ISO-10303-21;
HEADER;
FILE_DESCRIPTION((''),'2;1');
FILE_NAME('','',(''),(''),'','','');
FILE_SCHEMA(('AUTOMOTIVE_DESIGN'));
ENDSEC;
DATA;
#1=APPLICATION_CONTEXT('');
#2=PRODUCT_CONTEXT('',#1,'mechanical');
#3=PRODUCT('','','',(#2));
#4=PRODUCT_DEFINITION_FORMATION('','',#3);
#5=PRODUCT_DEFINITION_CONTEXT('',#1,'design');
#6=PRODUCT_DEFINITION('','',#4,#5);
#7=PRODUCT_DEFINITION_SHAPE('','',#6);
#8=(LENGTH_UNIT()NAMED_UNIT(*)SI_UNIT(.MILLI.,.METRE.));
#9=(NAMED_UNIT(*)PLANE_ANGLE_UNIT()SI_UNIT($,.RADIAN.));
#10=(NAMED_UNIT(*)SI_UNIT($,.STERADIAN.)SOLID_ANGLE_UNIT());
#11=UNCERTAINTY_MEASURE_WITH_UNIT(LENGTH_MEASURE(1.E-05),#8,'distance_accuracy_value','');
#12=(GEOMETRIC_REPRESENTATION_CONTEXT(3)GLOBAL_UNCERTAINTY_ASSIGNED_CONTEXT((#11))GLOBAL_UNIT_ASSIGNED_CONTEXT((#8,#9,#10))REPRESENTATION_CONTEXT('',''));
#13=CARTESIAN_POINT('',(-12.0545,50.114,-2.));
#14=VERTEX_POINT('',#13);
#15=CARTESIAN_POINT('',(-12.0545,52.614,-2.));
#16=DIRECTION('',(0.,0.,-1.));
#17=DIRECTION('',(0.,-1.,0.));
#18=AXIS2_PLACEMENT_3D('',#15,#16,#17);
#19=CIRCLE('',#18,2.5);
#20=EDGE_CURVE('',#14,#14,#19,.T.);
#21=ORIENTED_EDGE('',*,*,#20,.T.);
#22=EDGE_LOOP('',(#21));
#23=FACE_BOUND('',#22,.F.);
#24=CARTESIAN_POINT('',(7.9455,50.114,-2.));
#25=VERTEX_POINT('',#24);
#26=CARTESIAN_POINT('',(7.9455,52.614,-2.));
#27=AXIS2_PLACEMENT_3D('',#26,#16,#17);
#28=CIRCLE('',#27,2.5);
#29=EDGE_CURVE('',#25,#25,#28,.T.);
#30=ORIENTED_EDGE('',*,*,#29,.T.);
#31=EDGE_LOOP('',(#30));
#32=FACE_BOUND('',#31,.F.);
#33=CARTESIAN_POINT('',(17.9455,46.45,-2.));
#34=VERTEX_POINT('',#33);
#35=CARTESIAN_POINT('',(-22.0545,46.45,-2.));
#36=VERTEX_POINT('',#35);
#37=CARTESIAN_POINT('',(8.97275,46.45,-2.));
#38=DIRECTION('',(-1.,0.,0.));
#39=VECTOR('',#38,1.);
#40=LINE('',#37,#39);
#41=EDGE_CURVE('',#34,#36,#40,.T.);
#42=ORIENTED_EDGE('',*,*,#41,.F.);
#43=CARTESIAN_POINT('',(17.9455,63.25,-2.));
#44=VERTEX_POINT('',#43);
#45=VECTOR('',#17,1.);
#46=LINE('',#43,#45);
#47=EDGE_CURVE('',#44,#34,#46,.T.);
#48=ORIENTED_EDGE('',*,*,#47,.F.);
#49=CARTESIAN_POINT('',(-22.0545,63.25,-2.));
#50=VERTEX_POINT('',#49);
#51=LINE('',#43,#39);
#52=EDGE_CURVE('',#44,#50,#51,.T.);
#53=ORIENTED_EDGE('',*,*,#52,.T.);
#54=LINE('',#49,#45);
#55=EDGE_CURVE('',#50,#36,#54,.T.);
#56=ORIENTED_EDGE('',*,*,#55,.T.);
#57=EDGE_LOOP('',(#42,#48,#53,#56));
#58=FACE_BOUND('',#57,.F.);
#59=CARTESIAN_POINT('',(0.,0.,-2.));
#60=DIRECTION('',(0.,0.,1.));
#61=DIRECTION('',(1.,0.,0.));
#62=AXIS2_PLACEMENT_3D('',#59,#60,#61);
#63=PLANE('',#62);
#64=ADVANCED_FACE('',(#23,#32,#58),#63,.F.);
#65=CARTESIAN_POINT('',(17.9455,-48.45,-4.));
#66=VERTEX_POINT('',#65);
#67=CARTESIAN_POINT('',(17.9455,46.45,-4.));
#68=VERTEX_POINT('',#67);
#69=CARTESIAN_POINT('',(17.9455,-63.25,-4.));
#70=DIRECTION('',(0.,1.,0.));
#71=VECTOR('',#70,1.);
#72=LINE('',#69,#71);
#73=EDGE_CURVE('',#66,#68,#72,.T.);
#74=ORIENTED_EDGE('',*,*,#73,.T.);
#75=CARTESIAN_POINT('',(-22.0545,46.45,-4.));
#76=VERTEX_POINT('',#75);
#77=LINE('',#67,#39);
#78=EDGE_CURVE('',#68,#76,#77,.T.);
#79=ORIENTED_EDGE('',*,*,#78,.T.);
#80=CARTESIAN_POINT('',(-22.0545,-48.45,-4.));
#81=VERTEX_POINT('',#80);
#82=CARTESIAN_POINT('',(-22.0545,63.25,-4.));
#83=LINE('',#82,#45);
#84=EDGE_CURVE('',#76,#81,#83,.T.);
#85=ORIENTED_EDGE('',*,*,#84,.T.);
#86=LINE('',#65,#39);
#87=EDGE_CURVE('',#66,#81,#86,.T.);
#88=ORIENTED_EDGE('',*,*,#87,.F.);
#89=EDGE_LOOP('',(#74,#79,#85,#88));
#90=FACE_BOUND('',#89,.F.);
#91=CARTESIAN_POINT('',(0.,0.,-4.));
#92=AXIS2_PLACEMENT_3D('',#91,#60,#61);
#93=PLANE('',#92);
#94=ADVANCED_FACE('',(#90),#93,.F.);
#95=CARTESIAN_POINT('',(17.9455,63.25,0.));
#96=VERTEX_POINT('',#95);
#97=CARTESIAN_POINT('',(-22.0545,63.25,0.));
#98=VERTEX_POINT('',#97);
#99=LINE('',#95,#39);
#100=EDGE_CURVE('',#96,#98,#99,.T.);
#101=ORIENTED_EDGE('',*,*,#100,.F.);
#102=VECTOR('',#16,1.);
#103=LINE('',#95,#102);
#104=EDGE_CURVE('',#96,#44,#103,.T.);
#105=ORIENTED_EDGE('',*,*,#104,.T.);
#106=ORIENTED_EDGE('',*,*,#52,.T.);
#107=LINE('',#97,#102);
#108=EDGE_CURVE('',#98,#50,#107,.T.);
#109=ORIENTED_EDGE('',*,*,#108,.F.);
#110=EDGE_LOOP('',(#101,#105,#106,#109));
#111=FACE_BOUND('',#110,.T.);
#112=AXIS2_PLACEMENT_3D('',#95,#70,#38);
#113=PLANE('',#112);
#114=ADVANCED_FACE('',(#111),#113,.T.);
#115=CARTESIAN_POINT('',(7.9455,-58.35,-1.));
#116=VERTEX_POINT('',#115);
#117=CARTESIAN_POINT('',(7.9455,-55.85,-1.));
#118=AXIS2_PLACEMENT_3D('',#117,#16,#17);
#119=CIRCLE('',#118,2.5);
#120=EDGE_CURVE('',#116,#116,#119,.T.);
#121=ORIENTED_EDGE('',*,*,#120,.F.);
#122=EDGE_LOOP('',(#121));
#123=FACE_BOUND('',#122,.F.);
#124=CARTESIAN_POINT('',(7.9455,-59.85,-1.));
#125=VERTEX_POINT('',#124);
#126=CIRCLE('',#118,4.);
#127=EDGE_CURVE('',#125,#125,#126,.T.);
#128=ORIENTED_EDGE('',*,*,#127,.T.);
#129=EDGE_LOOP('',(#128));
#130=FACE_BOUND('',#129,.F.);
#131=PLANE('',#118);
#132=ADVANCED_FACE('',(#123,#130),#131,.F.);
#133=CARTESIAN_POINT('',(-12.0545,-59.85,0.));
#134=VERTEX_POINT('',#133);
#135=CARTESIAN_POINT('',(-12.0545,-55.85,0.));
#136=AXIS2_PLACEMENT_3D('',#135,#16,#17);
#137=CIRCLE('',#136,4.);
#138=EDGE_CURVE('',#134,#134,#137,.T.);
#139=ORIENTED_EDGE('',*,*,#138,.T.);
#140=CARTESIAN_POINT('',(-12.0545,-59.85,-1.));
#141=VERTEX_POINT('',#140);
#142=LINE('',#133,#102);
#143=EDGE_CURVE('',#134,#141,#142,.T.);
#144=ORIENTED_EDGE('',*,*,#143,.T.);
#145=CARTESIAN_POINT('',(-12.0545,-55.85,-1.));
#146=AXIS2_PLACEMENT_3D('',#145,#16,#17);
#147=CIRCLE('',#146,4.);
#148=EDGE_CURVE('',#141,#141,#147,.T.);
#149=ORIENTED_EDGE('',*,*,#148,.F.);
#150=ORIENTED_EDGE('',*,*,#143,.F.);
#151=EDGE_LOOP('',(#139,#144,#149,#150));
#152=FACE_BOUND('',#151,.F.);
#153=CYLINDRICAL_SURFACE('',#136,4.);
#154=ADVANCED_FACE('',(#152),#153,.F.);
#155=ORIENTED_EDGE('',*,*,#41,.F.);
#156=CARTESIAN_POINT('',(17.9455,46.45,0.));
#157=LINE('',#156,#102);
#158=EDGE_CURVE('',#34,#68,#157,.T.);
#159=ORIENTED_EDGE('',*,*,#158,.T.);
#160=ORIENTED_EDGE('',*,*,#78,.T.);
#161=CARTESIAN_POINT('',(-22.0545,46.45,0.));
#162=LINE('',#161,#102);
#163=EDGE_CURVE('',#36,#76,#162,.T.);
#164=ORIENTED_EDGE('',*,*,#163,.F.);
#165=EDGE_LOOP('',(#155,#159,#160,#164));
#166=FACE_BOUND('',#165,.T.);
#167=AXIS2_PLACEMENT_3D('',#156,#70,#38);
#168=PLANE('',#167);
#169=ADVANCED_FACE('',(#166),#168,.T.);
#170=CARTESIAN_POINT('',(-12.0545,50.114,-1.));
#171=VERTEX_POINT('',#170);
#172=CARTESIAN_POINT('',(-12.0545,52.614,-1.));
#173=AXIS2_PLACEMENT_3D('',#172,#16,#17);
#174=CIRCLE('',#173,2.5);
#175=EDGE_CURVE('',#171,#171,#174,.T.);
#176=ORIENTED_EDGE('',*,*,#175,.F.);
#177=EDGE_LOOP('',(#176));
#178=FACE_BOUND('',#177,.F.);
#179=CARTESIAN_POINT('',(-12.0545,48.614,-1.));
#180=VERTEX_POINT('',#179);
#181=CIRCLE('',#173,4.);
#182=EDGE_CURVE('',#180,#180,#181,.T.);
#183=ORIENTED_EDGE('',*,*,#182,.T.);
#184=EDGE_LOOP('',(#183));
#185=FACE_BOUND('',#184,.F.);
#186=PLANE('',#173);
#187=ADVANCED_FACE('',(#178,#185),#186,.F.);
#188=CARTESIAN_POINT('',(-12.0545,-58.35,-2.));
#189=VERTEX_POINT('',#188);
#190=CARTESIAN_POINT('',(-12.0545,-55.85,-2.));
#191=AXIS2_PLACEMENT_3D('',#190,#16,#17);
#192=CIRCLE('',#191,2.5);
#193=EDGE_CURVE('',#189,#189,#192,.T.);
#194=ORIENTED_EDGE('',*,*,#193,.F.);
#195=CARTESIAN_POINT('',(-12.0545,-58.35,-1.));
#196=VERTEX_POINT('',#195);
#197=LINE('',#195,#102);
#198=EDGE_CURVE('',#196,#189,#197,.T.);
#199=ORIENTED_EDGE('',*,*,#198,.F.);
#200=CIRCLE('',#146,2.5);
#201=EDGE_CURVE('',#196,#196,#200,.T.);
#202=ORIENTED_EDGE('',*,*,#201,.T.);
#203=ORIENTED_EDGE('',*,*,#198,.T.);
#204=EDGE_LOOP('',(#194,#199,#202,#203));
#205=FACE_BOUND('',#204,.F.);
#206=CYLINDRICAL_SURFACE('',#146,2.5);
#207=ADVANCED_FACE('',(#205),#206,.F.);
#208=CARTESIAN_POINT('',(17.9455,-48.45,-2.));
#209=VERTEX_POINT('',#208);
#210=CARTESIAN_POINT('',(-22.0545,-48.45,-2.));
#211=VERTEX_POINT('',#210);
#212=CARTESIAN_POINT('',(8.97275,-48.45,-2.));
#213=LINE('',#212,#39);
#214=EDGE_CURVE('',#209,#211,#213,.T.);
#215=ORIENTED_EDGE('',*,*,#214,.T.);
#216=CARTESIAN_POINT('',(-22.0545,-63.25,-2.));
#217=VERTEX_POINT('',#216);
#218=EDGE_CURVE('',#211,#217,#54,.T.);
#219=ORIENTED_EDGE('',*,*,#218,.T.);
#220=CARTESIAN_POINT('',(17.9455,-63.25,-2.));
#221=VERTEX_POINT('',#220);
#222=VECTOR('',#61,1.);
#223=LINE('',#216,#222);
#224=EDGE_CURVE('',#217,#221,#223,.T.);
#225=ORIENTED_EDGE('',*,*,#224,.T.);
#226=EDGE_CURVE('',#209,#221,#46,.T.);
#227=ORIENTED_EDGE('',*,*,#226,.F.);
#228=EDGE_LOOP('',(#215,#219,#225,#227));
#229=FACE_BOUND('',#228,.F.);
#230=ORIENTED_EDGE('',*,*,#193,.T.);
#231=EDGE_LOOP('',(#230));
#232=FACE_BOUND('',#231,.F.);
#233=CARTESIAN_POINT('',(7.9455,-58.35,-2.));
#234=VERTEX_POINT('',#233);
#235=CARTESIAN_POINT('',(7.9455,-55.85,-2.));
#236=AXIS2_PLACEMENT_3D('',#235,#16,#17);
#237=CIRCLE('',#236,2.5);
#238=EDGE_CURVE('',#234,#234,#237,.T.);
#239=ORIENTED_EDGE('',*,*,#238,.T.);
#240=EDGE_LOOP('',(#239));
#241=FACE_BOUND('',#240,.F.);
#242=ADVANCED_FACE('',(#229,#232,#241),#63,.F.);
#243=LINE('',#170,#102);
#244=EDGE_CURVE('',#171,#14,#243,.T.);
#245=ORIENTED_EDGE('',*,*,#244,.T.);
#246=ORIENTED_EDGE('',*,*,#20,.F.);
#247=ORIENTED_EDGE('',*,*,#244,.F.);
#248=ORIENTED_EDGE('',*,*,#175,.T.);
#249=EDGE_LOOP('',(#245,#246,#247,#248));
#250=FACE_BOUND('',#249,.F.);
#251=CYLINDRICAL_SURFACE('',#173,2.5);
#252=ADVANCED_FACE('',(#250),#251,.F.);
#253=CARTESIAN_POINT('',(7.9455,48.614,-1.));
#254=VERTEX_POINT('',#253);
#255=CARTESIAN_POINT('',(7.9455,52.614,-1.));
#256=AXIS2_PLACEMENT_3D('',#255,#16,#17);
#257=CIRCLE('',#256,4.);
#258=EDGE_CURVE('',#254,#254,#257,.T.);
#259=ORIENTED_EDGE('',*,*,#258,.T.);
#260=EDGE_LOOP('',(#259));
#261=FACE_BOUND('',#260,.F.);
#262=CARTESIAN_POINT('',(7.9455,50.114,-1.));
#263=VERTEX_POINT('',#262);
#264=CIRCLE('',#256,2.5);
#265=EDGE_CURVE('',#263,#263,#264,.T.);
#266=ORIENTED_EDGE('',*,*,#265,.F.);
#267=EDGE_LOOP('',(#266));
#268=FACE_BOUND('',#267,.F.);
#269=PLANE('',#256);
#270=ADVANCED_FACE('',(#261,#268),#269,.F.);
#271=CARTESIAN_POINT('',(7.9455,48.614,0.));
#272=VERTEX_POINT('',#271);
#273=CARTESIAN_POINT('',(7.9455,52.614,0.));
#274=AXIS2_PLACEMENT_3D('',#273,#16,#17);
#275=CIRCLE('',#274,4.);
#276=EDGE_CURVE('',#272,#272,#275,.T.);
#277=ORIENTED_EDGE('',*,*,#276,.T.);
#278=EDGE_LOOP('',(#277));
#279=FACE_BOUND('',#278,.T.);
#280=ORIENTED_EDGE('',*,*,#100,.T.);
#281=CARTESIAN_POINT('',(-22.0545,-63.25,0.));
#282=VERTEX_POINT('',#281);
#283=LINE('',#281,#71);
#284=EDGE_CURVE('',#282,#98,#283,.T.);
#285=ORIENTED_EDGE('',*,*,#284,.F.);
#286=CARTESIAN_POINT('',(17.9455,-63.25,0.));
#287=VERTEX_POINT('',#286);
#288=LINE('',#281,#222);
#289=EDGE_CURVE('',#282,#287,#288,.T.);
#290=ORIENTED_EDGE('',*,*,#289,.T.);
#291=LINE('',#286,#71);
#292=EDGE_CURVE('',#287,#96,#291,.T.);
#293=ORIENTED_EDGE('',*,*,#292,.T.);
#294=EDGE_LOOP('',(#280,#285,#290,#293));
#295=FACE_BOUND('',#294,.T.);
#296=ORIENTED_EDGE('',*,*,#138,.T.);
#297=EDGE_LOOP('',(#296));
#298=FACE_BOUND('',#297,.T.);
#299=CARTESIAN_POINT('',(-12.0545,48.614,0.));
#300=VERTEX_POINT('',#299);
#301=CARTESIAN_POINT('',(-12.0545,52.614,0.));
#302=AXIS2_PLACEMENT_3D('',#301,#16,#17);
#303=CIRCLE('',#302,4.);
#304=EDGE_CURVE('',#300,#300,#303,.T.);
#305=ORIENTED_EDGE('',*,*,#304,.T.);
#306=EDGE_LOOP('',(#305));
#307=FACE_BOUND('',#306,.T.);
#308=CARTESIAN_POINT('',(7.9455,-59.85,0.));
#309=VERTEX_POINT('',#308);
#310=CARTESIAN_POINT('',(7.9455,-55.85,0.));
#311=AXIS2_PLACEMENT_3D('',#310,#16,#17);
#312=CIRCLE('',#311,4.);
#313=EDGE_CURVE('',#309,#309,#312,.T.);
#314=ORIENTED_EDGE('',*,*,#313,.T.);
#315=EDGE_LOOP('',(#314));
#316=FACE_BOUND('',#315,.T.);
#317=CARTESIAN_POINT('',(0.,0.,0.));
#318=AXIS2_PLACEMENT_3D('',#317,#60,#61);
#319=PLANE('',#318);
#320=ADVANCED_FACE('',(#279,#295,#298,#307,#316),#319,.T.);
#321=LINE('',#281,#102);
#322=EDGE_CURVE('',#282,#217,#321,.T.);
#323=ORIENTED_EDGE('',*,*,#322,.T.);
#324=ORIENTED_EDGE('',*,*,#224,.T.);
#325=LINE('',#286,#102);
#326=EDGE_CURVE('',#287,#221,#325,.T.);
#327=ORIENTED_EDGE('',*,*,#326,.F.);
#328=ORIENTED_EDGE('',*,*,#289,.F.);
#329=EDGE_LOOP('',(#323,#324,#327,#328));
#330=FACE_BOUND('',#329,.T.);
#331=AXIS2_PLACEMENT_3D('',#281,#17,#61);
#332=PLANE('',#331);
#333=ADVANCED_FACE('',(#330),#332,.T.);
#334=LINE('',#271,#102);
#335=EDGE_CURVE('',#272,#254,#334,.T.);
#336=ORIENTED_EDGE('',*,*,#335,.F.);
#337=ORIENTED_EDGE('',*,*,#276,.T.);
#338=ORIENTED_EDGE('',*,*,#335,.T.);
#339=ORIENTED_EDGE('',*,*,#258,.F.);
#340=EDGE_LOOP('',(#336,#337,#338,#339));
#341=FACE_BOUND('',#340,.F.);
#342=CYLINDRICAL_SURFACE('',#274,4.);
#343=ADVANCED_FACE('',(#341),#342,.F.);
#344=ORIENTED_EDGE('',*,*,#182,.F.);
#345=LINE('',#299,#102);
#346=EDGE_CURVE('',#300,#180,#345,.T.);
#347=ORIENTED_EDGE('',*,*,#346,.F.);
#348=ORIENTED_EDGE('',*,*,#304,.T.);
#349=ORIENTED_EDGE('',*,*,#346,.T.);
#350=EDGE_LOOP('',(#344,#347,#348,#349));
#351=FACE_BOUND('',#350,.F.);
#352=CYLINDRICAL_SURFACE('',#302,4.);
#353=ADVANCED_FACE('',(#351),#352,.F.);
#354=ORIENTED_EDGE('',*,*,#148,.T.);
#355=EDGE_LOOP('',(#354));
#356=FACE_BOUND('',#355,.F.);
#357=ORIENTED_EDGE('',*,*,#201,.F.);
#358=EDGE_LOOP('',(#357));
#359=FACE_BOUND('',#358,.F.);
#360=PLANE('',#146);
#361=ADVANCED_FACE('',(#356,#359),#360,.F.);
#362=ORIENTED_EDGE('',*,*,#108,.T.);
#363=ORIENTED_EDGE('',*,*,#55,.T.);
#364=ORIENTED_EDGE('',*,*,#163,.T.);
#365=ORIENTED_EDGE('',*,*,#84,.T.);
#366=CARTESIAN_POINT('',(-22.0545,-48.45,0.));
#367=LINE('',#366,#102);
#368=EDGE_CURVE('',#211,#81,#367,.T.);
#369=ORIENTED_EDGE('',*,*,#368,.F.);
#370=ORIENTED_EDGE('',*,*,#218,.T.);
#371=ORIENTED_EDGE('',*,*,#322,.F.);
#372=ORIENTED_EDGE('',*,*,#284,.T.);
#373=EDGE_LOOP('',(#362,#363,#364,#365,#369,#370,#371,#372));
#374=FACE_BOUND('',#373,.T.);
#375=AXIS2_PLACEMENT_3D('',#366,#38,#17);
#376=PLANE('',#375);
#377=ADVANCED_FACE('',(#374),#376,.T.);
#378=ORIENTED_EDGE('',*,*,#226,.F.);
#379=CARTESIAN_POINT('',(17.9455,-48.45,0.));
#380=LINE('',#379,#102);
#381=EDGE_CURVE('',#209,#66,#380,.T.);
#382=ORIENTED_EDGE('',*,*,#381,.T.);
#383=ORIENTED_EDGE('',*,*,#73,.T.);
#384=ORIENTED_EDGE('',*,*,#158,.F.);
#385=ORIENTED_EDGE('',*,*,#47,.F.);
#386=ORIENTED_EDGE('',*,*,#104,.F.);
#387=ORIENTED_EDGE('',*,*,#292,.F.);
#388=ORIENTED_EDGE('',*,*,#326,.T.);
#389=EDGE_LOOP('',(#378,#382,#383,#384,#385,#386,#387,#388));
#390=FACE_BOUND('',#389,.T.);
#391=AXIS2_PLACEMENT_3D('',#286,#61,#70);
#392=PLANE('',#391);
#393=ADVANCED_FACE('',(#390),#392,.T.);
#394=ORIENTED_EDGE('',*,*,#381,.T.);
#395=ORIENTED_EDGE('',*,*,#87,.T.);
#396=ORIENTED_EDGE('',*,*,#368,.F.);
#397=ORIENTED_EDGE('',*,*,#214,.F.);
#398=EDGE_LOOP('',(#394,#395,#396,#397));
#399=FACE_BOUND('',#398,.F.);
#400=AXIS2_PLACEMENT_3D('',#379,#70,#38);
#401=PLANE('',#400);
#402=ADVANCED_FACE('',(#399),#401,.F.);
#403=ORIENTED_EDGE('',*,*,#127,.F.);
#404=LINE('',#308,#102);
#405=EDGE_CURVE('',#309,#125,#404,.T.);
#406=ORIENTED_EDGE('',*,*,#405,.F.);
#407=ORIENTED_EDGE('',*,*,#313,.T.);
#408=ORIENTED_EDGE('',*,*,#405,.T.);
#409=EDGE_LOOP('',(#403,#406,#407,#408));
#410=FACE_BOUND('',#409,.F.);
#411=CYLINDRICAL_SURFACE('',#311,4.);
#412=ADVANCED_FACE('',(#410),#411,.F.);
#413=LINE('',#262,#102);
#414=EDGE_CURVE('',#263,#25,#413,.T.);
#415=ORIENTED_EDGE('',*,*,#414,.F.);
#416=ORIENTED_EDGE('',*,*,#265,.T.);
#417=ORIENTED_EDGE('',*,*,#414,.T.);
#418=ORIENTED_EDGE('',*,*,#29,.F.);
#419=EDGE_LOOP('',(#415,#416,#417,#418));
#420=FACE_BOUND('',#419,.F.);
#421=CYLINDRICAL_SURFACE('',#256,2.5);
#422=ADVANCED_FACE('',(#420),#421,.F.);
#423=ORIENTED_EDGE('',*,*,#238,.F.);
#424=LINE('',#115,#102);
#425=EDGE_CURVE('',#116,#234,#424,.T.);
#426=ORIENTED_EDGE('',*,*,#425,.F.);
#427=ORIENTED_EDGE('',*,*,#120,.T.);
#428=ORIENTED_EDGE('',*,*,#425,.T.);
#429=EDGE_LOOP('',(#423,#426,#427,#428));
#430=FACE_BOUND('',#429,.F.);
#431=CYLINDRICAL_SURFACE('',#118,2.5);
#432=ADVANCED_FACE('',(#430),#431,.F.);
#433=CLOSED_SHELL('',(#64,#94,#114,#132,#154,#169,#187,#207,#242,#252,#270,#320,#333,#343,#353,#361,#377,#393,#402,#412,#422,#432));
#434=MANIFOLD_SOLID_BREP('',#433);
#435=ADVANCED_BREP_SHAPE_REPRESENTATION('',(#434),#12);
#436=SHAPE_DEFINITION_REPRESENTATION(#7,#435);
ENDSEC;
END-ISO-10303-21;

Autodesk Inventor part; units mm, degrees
ref_plane "YZ Plane" through (0, 0, 0) normal (1, 0, 0) x (0, 1, 0)
ref_plane "XZ Plane" through (0, 0, 0) normal (0, 1, 0) x (-1, 0, 0)
ref_plane "XY Plane" through (0, 0, 0) normal (0, 0, 1) x (1, 0, 0)
sketch "Sketch1" plane through (0, 0, 0) normal (0, 0, 1) x (1, 0, 0)
  line L0 (-22.0545, -63.25) -> (17.9455, -63.25)
  line L1 (17.9455, -63.25) -> (17.9455, 63.25)
  line L2 (17.9455, 63.25) -> (-22.0545, 63.25)
  line L3 (-22.0545, 63.25) -> (-22.0545, -63.25)
  line L4 (-22.0545, -63.25) -> (17.9455, 63.25) construction
  line L5 (17.9455, -63.25) -> (-22.0545, 63.25) construction
  line L6 (-22.0545, -63.25) -> (17.9455, -63.25)
  line L7 (17.9455, -63.25) -> (17.9455, -48.45)
  line L8 (17.9455, -48.45) -> (-22.0545, -48.45)
  line L9 (-22.0545, -48.45) -> (-22.0545, -63.25)
  line L10 (-22.0545, -55.85) -> (17.9455, -55.85) construction
  line L11 (-2.0545, -55.85) -> (7.9455, -55.85) construction
  line L12 (-2.0545, -55.85) -> (-12.0545, -55.85) construction
  line L13 (-22.0545, 63.25) -> (17.9455, 63.25)
  line L14 (17.9455, 63.25) -> (17.9455, 46.45)
  line L15 (17.9455, 46.45) -> (-22.0545, 46.45)
  line L16 (-22.0545, 46.45) -> (-22.0545, 63.25)
  line L17 (-22.0545, 46.45) -> (-22.0545, 52.614) construction
  line L18 (-22.0545, 52.614) -> (17.9455, 52.614) construction
  line L19 (-2.0545, 52.614) -> (7.9455, 52.614) construction
  line L20 (-2.0545, 52.614) -> (-12.0545, 52.614) construction
  line L21 (-22.0545, 46.45) -> (17.9455, 46.45)
  line L22 (17.9455, 46.45) -> (17.9455, -48.45)
  line L23 (17.9455, -48.45) -> (-22.0545, -48.45)
  line L24 (-22.0545, -48.45) -> (-22.0545, 46.45)
  point P0 (0, 0)
  point P1 (-2.0545, 0)
  dimension "d0" = 40
  dimension "d1" = 126.5
  dimension "d4" = 14.8
  dimension "d5" = 10
  dimension "d6" = 10
  dimension "d9" = 16.8
  dimension "d10" = 6.164
  dimension "d11" = 10
  dimension "d12" = 10
extrude "Extrusion1" add sketch "Sketch1" against normal blind 2
extrude "Extrusion2" add sketch "Sketch1" against normal blind 4 contours L3 L15 L1 L8
hole "Hole1" at (-12.0545, 52.614, 0) at (7.9455, 52.614, 0) at (-12.0545, -55.85, 0) at (7.9455, -55.85, 0) direction (0, 0, -1) diameter 5 end through all counterbore diameter 8 counterbore depth 1
properties part number "BatteryCover"
